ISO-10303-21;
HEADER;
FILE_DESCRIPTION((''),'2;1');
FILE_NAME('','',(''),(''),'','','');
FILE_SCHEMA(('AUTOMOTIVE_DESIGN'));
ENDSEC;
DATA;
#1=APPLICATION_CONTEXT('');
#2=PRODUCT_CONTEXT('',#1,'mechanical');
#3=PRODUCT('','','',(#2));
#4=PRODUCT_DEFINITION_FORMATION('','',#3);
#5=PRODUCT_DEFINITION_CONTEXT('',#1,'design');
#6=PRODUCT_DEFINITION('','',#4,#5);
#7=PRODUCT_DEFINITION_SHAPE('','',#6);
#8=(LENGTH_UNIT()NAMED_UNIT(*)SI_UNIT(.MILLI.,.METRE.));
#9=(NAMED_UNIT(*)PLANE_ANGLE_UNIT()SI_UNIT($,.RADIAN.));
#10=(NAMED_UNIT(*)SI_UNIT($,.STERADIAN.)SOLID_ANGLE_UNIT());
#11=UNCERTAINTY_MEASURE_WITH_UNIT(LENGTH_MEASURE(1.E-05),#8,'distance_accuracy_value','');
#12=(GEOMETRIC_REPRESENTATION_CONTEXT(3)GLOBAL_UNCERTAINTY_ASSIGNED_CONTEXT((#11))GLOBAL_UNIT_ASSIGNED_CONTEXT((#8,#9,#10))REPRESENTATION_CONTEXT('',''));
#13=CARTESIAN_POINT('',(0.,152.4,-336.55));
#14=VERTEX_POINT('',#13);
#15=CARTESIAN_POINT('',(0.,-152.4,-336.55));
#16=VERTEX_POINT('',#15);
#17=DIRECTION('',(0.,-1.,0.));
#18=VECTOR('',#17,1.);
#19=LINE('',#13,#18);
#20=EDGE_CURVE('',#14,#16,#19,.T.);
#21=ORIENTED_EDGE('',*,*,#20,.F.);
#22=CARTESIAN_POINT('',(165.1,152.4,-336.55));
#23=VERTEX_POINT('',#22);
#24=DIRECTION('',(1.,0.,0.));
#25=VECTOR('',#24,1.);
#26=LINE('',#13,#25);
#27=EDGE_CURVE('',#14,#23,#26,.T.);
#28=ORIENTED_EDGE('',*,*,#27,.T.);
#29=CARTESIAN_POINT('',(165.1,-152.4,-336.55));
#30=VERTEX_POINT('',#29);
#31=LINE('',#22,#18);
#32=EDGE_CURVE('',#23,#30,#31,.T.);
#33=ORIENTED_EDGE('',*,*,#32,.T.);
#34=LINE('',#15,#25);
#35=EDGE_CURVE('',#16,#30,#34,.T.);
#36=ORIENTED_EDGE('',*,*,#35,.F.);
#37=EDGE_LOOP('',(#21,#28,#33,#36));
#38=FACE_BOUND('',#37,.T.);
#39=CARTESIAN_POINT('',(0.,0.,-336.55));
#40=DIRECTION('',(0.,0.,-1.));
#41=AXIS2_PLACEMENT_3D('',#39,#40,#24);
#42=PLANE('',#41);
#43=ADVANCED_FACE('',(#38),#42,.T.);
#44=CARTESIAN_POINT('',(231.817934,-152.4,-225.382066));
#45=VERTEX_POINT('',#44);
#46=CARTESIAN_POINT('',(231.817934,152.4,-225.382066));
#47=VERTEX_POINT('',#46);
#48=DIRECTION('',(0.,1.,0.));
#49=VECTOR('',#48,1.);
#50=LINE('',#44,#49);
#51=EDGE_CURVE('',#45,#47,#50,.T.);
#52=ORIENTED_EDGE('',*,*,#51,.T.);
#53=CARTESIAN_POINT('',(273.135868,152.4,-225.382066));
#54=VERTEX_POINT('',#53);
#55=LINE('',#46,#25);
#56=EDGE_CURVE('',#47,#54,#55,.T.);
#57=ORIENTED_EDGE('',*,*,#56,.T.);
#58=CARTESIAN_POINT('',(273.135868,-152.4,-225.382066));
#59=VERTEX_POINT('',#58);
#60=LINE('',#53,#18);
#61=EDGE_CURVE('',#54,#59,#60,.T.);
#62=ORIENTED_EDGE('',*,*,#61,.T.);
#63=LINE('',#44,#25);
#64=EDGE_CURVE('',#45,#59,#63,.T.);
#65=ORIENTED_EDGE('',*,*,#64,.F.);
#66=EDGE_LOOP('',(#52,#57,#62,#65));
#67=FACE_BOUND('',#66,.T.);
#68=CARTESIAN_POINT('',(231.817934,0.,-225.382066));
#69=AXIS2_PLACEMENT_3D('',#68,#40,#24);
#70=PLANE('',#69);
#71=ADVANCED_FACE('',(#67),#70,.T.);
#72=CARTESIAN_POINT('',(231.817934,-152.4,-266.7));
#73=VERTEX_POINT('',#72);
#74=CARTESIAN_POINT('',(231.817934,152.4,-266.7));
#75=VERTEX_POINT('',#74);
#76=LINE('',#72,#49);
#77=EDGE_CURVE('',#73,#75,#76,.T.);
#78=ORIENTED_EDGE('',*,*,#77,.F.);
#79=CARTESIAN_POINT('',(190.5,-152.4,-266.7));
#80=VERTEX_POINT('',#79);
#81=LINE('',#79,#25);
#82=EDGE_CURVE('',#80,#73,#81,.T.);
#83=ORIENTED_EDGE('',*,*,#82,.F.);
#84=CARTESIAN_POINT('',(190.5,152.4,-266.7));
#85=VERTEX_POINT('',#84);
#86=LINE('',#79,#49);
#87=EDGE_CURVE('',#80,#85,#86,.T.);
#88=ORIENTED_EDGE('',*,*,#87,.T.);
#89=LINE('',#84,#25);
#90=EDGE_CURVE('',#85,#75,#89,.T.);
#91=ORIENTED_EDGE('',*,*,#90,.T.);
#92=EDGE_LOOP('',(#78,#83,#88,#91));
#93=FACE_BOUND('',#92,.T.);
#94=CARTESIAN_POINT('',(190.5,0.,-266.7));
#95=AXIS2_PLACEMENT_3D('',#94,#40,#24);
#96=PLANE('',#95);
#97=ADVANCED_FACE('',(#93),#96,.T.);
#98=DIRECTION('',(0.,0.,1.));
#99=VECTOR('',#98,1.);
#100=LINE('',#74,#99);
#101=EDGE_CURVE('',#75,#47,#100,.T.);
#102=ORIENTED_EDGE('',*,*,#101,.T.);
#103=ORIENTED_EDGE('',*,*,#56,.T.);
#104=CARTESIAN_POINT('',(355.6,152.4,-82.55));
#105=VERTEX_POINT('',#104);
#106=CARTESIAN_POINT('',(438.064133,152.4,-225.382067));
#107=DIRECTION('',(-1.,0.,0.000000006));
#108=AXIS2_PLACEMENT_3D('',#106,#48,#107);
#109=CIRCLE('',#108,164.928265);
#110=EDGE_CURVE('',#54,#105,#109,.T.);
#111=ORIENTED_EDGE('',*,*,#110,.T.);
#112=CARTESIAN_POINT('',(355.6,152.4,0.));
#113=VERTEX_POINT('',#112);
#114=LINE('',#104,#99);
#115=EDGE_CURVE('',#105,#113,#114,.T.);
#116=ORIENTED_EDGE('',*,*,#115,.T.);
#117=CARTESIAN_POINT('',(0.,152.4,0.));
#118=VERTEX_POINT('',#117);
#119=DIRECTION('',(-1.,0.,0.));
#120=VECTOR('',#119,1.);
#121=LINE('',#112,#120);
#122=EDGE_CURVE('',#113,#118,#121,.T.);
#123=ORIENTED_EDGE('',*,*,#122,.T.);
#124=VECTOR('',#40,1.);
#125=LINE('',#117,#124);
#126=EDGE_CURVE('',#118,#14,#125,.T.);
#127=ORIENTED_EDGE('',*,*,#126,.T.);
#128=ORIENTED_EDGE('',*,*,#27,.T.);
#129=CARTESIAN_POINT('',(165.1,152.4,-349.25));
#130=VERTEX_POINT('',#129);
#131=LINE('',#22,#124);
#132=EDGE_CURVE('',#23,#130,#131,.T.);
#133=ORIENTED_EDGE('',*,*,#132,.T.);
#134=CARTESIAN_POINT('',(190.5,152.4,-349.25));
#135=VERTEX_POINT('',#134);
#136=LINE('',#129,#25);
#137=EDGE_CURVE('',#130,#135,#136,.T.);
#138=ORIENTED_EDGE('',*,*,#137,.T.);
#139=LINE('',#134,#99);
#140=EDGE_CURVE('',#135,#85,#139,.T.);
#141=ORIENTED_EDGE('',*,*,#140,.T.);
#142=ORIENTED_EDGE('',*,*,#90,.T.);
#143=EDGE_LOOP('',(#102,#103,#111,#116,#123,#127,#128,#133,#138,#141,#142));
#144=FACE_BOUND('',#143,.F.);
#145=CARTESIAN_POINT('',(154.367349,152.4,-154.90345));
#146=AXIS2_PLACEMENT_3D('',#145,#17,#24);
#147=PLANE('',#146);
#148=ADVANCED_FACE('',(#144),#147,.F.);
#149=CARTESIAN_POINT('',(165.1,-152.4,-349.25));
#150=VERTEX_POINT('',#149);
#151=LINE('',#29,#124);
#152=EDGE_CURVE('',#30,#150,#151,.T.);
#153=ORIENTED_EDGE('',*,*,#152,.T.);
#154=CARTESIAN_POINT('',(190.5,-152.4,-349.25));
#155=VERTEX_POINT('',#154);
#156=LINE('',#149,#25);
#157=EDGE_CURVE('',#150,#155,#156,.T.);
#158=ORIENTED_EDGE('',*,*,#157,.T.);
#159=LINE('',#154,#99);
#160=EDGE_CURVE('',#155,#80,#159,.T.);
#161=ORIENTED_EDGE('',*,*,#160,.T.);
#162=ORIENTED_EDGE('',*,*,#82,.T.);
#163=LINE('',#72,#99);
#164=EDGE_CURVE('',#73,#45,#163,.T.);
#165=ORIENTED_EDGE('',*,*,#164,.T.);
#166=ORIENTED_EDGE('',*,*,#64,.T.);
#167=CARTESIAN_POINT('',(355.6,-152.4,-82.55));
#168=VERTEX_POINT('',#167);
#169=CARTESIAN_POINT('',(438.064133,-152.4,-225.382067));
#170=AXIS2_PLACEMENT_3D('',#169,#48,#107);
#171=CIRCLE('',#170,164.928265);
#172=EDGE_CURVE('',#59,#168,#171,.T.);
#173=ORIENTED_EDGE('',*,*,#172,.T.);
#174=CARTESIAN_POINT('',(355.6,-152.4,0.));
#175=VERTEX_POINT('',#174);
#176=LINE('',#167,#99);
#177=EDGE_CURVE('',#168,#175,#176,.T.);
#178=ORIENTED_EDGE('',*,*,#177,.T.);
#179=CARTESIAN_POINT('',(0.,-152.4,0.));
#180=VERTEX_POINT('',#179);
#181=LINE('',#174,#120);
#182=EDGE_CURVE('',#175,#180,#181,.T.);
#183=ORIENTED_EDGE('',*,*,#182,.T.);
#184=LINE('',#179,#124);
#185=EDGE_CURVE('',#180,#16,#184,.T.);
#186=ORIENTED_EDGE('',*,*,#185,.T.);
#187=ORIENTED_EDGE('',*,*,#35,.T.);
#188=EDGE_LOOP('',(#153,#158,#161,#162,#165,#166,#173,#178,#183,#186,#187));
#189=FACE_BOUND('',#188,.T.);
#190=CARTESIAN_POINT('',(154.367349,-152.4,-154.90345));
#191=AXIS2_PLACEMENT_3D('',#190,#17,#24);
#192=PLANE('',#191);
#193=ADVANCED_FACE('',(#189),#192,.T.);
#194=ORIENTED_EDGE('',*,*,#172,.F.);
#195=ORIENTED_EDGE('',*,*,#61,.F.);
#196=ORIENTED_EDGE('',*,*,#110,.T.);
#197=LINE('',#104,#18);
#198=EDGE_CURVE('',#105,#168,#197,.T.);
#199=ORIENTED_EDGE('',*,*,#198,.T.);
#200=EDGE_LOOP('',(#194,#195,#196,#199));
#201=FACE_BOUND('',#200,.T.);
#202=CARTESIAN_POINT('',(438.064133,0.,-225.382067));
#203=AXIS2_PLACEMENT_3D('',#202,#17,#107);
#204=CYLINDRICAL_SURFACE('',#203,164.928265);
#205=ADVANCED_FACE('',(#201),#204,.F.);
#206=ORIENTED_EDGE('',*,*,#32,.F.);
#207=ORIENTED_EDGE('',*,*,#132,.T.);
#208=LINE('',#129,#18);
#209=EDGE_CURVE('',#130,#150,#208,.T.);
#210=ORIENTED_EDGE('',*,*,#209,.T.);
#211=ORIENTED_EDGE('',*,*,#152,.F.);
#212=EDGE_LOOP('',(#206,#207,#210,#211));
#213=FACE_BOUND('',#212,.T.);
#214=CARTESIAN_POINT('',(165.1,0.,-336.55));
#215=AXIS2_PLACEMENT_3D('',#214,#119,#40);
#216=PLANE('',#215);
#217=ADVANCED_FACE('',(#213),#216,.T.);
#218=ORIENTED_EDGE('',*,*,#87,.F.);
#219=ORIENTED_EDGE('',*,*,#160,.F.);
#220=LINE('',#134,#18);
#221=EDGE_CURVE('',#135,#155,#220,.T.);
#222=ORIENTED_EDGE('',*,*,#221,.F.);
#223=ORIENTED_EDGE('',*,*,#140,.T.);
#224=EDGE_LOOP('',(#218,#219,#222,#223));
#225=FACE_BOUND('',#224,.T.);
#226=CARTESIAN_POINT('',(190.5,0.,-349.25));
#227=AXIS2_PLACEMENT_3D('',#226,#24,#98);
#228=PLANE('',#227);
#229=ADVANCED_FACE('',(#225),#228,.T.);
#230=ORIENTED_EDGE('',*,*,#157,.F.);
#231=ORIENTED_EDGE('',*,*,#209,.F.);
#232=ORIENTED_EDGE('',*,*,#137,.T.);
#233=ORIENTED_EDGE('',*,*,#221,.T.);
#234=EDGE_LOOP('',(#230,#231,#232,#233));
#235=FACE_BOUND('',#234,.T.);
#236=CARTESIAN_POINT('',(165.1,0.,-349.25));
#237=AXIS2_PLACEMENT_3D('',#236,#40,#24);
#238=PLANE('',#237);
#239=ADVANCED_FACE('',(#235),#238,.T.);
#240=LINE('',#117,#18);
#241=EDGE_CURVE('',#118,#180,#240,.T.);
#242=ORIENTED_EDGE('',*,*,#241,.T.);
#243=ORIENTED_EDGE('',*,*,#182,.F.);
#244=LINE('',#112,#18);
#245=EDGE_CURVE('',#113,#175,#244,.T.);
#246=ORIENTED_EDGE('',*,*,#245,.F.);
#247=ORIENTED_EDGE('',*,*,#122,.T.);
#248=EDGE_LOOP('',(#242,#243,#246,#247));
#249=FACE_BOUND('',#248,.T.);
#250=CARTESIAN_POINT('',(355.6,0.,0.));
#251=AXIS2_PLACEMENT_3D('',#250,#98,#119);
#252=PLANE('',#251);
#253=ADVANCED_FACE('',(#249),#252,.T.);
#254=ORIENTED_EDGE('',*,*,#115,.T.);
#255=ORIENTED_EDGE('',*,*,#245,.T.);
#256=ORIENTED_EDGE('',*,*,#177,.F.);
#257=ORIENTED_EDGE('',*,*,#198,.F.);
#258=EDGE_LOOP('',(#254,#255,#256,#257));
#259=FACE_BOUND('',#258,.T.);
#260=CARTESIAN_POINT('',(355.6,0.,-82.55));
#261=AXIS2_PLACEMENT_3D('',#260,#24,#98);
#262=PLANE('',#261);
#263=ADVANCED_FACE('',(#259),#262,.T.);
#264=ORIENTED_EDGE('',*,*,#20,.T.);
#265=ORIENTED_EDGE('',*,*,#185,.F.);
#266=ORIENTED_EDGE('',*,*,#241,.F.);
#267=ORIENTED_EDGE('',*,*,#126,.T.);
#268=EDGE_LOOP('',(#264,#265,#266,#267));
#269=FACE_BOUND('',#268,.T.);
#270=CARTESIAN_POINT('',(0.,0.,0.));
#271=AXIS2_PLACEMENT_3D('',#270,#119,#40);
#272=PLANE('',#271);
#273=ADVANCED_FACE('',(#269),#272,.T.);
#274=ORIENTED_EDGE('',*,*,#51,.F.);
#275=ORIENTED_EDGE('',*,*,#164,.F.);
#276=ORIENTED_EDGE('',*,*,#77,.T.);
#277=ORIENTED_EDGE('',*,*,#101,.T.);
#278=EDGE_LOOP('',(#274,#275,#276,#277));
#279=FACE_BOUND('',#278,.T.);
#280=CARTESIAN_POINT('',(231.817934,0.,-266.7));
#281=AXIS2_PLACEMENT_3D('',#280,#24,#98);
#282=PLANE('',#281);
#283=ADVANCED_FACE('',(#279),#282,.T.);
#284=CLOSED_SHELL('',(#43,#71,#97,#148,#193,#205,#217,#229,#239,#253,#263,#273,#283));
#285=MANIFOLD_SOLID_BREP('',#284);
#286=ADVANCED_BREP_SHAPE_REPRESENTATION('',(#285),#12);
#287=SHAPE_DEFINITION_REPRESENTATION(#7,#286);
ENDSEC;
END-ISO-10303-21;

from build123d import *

# Parameters (mm, degrees)
F1_DEPTH = 152.4


with BuildPart() as f1:
    # F0 (on Front) → F1 (new body, symmetric)
    with BuildSketch(Plane.XZ):
        with BuildLine():
            Line((231.817934, -225.382066), (273.135868, -225.382066))
            ThreePointArc((273.135868, -225.382066), (295.232066, -142.917934), (355.6, -82.55))
            Line((355.6, -82.55), (355.6, 0))
            Line((355.6, 0), (0, 0))
            Line((0, 0), (0, -336.55))
            Line((0, -336.55), (165.1, -336.55))
            Line((165.1, -336.55), (165.1, -349.25))
            Line((165.1, -349.25), (190.5, -349.25))
            Line((190.5, -349.25), (190.5, -266.7))
            Line((190.5, -266.7), (231.817934, -266.7))
            Line((231.817934, -266.7), (231.817934, -225.382066))
        make_face()
    extrude(amount=F1_DEPTH, both=True)


solid = f1.part
